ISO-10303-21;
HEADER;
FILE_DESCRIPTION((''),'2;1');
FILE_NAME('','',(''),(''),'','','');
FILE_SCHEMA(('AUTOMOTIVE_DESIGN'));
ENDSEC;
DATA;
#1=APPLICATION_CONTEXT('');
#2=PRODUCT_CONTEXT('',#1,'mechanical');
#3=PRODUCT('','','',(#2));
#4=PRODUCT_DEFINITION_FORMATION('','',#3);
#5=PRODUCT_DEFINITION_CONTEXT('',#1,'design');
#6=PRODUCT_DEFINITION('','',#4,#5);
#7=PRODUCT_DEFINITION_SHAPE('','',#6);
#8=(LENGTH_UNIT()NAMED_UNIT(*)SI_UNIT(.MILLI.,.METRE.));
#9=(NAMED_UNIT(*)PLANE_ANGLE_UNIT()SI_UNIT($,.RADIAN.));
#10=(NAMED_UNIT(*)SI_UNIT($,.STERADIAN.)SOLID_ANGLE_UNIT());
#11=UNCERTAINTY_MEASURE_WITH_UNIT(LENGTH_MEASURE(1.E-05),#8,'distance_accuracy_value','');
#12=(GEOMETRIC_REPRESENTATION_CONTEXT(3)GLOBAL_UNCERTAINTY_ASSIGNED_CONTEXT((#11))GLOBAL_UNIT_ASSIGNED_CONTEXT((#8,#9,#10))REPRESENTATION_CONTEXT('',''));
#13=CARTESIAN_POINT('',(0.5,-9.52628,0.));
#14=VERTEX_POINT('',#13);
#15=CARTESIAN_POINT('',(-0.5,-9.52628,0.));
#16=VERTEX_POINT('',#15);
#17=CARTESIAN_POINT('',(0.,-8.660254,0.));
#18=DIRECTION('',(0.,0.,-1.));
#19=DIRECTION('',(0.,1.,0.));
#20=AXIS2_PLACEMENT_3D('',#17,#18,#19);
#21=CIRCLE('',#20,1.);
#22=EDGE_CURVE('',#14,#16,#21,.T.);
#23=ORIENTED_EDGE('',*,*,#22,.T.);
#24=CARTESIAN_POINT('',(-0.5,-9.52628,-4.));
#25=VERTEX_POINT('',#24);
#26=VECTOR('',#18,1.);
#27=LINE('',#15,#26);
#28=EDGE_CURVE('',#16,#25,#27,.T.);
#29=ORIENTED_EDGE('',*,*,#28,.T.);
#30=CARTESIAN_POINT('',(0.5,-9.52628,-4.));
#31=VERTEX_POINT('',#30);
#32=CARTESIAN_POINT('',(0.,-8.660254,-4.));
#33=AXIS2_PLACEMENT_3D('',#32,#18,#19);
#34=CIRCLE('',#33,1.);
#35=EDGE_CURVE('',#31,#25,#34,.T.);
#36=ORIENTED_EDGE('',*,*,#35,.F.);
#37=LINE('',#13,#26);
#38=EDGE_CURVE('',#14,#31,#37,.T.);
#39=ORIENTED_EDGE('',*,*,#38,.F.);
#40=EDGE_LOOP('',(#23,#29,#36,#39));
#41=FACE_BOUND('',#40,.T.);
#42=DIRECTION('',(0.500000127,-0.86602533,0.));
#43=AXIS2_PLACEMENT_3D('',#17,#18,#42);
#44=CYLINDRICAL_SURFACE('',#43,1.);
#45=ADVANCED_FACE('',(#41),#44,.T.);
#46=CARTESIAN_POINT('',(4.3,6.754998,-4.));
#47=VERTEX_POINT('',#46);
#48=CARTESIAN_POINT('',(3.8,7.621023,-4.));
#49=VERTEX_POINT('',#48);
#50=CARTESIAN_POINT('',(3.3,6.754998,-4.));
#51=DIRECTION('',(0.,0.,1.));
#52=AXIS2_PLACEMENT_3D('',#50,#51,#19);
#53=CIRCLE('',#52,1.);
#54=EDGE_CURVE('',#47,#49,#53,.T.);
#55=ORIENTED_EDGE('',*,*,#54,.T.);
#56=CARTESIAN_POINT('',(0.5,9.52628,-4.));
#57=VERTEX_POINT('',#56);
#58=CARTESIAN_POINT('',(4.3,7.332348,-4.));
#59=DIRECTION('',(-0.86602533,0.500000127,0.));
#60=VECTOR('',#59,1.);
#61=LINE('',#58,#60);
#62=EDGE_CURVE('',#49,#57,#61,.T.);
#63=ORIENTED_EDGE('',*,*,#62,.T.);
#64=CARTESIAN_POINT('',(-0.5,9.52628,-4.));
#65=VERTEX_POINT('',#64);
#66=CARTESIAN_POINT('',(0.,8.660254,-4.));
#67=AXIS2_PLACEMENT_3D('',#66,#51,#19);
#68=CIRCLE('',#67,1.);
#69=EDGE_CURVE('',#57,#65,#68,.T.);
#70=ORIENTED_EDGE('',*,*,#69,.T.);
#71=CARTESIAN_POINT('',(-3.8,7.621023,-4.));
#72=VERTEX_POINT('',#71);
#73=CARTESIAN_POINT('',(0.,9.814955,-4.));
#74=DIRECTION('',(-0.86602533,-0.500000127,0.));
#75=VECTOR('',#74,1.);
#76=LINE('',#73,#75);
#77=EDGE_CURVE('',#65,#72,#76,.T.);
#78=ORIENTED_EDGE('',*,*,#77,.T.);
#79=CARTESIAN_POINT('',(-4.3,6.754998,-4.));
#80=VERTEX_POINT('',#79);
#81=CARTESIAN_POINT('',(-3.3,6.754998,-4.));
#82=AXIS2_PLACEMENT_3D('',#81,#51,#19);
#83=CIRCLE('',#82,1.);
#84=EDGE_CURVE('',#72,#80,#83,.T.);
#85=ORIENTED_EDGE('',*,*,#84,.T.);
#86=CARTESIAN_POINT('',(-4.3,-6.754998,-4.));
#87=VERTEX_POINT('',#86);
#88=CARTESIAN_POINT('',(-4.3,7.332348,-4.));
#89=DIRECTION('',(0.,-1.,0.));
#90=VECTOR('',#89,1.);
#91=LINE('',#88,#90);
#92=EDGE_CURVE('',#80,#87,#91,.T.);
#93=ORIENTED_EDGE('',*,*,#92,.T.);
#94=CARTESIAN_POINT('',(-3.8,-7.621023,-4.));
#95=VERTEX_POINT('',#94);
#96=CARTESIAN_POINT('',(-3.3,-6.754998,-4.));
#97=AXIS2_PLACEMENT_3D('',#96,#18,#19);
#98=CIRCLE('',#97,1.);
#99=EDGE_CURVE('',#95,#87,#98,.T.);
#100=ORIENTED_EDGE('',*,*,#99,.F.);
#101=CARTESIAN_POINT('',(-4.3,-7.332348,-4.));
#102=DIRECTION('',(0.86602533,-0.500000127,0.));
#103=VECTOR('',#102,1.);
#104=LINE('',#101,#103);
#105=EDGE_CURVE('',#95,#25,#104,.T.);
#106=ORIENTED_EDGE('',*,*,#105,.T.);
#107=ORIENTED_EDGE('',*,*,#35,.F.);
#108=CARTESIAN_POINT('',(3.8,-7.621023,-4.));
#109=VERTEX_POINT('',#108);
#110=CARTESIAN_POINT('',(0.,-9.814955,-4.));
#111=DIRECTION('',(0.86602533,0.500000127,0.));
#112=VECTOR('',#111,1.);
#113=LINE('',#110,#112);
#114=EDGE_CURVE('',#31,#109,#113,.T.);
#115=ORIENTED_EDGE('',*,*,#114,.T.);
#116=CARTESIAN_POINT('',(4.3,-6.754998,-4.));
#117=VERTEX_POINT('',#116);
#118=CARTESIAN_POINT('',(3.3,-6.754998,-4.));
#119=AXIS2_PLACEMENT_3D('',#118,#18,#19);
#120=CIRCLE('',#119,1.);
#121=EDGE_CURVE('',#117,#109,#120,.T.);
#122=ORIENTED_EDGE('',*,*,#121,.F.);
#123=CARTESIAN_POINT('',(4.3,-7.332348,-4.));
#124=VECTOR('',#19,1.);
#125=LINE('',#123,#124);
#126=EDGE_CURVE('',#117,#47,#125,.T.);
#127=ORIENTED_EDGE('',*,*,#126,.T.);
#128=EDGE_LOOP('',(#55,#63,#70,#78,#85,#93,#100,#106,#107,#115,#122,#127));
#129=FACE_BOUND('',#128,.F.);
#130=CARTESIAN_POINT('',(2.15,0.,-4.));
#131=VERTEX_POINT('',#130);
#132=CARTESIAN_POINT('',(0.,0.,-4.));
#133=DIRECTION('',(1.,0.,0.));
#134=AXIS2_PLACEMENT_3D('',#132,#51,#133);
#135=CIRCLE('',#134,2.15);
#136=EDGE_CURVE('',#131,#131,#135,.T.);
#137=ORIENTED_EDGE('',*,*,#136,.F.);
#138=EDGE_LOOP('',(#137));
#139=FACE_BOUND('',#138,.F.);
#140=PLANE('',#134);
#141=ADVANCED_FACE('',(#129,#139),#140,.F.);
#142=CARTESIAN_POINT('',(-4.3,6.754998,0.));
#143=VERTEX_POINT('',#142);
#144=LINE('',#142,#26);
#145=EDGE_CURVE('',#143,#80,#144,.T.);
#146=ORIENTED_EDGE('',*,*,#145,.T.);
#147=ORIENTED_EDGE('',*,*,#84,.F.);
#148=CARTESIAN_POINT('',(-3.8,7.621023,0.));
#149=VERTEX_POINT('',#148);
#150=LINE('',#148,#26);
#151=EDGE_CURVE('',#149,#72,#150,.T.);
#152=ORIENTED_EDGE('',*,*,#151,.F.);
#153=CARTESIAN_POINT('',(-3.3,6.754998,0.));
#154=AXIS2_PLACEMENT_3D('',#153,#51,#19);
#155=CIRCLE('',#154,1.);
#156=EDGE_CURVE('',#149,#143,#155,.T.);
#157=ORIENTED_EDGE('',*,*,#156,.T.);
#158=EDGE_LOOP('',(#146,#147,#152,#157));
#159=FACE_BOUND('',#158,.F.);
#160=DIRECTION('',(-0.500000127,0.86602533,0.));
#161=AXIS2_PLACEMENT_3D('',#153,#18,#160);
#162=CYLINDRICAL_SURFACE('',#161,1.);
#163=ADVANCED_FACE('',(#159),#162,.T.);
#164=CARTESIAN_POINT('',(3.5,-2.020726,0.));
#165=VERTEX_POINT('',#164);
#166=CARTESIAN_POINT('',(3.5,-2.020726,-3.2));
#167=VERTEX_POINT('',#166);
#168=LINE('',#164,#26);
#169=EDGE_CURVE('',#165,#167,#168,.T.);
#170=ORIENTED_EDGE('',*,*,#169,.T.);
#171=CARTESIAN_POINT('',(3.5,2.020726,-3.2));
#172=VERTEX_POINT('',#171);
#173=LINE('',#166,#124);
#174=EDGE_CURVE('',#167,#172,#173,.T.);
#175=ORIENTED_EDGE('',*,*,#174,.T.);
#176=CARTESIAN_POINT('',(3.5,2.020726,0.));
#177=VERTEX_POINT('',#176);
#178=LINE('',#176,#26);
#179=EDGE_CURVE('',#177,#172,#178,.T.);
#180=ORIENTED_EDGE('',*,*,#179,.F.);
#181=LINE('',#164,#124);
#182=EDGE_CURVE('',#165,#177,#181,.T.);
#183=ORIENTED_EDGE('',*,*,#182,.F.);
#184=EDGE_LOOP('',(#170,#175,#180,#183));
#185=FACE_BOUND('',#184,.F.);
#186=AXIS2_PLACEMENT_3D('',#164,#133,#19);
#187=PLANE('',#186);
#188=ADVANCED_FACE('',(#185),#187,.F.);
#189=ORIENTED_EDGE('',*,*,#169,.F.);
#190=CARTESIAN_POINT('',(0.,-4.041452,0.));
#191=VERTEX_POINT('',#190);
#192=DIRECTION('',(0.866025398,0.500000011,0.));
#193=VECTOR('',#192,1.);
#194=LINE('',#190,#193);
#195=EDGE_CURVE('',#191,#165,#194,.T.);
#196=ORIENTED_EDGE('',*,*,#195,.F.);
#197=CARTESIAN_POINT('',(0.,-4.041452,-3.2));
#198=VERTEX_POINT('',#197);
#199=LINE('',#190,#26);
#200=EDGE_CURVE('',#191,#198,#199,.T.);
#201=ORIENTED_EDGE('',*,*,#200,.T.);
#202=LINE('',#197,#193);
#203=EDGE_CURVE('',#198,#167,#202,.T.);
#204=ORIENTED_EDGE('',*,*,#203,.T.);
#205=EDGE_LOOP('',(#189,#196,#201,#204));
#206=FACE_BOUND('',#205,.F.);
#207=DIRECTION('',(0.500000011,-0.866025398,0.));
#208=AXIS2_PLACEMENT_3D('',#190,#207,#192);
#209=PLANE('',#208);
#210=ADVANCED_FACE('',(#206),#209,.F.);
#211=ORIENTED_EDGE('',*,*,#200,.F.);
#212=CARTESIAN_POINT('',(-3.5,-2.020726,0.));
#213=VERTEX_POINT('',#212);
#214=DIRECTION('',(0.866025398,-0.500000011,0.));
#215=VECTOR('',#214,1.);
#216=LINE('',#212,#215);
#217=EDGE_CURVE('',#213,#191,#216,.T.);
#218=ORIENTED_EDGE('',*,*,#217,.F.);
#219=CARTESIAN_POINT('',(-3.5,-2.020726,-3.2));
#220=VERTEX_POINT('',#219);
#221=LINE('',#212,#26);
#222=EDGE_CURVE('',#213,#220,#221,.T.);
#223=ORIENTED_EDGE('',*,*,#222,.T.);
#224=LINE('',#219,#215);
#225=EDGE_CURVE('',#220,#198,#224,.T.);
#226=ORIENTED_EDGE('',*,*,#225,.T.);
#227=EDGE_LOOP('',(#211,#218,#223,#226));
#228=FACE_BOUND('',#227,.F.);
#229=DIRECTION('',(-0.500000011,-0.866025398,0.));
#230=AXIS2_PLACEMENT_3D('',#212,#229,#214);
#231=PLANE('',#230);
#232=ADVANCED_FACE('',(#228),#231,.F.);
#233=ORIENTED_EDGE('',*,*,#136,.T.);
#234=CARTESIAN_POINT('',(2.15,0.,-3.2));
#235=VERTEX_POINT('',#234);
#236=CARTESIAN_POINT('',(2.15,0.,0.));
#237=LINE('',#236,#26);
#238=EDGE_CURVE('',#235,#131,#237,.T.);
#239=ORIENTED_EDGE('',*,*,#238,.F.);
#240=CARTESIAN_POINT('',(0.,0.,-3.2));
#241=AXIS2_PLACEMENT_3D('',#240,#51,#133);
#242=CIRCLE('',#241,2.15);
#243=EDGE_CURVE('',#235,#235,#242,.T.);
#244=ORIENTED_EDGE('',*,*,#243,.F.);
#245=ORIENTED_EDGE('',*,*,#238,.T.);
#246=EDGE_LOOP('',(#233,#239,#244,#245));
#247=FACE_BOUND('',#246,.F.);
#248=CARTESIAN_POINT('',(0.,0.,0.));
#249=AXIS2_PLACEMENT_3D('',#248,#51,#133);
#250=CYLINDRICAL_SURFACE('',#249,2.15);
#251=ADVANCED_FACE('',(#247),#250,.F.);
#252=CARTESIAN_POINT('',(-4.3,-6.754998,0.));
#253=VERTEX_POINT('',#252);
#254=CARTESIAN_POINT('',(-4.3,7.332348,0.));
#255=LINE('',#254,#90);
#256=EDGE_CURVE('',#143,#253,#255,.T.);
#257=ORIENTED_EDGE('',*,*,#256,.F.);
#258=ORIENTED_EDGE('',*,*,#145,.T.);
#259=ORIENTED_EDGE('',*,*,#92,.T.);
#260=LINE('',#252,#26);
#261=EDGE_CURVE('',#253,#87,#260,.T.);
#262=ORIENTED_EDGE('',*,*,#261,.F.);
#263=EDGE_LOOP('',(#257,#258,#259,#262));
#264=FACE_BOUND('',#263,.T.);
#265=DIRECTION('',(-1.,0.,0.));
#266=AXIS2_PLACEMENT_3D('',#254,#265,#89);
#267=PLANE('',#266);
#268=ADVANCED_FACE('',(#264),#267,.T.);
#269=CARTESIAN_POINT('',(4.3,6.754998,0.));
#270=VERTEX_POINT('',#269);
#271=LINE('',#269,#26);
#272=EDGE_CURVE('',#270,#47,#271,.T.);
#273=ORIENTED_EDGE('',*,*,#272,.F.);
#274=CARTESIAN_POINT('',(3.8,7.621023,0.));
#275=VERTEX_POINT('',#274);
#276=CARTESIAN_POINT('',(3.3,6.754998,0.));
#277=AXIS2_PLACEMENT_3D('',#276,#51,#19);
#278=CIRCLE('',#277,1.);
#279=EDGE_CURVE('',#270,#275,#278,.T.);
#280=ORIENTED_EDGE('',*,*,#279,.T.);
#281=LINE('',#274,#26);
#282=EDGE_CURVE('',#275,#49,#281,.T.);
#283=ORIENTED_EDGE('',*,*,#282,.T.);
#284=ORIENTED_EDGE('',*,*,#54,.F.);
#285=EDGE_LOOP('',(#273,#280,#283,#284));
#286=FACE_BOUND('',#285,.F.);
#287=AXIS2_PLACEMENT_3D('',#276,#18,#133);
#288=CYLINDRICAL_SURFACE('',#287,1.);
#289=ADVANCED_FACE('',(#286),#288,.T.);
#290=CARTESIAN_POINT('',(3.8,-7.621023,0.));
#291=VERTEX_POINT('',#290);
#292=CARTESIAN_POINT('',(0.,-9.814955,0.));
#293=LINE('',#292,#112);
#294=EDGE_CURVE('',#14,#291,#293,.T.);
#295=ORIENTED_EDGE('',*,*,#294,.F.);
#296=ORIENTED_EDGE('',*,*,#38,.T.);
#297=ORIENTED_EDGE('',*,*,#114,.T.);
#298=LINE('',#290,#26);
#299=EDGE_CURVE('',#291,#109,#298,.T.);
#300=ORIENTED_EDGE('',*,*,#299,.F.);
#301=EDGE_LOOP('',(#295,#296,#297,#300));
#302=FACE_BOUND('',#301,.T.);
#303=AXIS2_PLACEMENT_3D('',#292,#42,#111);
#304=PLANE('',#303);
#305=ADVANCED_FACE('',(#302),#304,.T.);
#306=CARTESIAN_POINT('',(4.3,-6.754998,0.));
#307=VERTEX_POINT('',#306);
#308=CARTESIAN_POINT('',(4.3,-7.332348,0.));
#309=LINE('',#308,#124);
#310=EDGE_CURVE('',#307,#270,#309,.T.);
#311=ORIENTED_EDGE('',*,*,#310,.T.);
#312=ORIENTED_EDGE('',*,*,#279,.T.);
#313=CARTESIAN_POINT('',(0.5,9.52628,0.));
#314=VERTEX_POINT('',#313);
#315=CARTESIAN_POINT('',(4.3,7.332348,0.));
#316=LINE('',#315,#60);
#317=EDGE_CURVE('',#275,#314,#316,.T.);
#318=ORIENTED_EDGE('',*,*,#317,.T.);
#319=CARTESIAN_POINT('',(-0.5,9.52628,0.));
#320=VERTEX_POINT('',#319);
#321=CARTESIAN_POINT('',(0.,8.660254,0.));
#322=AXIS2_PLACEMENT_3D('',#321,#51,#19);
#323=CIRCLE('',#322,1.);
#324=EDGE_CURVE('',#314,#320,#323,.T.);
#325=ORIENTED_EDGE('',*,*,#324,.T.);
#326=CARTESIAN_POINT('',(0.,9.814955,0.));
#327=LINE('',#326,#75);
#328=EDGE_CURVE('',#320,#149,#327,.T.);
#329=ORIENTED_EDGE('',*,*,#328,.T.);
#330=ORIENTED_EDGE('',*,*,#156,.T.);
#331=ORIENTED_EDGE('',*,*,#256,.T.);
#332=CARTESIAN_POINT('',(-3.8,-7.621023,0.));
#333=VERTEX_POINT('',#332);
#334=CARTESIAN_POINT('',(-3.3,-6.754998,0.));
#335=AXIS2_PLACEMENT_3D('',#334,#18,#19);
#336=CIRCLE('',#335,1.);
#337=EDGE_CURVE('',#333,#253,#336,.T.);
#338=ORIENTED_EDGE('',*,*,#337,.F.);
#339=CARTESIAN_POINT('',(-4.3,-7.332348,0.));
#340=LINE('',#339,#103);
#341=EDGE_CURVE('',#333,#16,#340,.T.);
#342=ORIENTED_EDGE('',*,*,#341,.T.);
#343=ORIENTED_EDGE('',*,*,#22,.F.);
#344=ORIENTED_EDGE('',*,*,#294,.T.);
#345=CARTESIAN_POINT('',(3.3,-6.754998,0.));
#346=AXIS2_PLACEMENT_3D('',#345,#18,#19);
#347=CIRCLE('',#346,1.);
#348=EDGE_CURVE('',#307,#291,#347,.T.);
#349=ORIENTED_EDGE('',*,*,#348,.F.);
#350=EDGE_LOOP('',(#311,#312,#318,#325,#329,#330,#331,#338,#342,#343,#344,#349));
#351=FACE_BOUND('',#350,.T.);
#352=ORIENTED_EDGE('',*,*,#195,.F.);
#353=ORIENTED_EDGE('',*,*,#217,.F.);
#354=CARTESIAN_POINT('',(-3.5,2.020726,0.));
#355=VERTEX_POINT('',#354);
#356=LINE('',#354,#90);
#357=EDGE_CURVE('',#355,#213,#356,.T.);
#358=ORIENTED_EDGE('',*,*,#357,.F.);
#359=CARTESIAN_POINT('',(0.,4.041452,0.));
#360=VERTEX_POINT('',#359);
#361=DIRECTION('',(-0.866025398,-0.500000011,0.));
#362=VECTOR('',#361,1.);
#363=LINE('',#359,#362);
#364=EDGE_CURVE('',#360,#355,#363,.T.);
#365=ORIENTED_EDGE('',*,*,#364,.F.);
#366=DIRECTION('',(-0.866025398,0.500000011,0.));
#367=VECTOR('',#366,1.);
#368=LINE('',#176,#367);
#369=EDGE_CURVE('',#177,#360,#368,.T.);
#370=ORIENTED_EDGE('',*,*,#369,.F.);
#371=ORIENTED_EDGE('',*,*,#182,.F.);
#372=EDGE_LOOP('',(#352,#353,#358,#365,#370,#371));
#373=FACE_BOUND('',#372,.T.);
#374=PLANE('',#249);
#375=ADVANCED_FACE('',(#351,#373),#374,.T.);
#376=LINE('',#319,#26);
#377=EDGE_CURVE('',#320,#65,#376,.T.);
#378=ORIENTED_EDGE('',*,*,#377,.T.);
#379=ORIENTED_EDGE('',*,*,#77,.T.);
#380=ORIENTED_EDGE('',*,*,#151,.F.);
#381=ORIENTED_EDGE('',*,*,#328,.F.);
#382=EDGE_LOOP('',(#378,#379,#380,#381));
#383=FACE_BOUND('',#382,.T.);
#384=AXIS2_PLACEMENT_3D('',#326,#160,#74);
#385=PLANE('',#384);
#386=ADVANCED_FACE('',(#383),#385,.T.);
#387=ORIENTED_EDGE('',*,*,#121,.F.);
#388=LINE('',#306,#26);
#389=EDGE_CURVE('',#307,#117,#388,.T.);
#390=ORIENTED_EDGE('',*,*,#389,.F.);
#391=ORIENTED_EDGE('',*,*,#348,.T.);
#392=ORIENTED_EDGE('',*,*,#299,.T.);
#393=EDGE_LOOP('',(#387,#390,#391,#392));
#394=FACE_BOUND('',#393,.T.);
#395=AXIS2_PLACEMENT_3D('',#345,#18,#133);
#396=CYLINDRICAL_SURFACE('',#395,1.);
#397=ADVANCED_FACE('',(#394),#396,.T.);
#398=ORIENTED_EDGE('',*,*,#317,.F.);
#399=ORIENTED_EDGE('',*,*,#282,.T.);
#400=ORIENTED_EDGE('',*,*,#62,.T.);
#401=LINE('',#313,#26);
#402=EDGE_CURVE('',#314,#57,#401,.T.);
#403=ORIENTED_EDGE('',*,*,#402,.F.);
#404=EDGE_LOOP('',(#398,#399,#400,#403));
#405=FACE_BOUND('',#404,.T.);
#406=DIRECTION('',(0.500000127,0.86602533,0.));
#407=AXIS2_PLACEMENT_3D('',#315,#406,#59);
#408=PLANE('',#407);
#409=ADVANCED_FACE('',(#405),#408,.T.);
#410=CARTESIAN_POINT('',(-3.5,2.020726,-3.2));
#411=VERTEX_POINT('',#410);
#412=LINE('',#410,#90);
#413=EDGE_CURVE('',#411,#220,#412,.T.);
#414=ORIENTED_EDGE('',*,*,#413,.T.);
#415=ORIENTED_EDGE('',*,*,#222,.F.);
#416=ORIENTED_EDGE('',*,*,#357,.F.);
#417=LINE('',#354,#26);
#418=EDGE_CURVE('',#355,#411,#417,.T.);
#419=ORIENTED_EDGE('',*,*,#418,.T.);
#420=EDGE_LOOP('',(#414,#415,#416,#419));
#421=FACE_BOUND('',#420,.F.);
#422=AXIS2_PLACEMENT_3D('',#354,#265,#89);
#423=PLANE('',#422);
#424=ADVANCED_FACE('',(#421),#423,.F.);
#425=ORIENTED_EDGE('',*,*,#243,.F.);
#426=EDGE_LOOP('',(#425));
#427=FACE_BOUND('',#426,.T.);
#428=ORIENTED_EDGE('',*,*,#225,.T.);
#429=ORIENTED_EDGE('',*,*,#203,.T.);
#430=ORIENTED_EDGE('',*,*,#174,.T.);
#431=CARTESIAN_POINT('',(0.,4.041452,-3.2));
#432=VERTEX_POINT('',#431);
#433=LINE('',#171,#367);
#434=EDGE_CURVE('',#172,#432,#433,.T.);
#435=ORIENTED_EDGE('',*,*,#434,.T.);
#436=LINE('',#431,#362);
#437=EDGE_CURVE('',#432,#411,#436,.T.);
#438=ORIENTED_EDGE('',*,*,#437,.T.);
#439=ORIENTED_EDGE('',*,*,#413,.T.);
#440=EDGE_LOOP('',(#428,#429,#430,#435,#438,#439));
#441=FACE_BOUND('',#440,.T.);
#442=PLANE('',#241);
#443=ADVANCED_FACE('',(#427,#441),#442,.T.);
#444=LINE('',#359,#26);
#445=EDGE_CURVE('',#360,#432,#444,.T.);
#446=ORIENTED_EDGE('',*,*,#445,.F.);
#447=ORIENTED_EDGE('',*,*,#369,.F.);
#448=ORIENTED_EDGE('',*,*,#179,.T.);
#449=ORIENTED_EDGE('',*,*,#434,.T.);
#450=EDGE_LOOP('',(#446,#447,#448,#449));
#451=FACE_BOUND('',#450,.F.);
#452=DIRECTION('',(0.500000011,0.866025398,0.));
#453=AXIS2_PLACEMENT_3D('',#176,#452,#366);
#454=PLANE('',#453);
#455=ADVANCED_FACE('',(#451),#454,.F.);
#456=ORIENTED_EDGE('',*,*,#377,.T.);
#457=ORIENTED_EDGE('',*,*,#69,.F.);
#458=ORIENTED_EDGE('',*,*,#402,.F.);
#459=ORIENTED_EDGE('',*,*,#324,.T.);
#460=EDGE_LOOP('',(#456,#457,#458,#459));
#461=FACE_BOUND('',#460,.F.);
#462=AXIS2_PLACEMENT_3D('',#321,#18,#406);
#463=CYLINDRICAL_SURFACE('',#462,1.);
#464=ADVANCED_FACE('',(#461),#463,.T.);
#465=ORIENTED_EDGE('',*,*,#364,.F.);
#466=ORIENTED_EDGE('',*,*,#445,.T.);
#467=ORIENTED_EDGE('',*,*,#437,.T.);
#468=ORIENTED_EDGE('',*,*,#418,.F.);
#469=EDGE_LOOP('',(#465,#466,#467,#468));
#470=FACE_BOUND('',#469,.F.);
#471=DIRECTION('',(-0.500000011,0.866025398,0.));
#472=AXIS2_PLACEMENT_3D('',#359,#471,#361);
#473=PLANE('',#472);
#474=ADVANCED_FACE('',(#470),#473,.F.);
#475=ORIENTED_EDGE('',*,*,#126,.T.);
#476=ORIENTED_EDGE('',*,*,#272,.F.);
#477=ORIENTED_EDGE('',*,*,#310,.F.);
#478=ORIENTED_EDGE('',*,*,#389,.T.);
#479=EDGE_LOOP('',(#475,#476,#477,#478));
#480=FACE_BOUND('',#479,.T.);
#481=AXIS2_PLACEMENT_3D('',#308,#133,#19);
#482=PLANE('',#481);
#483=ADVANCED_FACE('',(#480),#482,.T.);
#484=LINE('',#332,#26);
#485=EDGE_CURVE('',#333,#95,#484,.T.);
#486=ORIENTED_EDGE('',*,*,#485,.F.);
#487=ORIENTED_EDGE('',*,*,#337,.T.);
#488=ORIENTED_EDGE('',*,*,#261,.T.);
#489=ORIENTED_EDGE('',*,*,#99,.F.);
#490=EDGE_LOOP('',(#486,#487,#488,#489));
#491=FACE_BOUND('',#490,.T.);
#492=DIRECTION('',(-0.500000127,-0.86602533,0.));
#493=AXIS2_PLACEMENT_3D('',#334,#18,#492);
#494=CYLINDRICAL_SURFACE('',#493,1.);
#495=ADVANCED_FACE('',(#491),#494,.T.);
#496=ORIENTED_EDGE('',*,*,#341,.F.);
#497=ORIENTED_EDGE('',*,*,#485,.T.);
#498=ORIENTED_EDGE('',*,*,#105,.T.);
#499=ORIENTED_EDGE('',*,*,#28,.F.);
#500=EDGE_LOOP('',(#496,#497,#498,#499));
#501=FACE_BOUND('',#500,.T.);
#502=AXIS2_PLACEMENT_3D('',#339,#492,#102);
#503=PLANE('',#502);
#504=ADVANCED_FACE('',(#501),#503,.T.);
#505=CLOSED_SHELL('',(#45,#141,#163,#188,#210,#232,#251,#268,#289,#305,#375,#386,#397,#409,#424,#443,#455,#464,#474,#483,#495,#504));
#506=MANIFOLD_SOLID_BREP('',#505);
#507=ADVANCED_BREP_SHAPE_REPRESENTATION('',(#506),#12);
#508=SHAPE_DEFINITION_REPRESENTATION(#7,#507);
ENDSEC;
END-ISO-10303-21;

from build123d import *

# Parameters (mm, degrees)
F0_R     = 2.15
F1_DEPTH = 4
F2_DEPTH = 3.2
F3_R     = 1


with BuildPart() as f1:
    # F0 (on Top) → F1 (new body)
    with BuildSketch(Plane.XY):
        Polygon((4.3, -7.332348), (4.3, 7.332348), (0, 9.814955), (-4.3, 7.332348), (-4.3, -7.332348), (0, -9.814955), align=None)
        Polygon((0, 4.041452), (3.5, 2.020726), (3.5, -2.020726), (0, -4.041452), (-3.5, -2.020726), (-3.5, 2.020726), align=None, mode=Mode.SUBTRACT)
        Polygon((3.5, -2.020726), (3.5, 2.020726), (0, 4.041452), (-3.5, 2.020726), (-3.5, -2.020726), (0, -4.041452), align=None)
        Circle(F0_R, mode=Mode.SUBTRACT)
    extrude(amount=-F1_DEPTH)

    # F0 (on Top) → F2 (cut)
    with BuildSketch(Plane.XY):
        Polygon((3.5, -2.020726), (3.5, 2.020726), (0, 4.041452), (-3.5, 2.020726), (-3.5, -2.020726), (0, -4.041452), align=None)
        Circle(F0_R, mode=Mode.SUBTRACT)
    extrude(amount=-F2_DEPTH, mode=Mode.SUBTRACT)

    # F3
    f3_edges = [f1.edges().sort_by_distance(p)[0] for p in [
        (-4.3, 7.332348, -2),
        (0, 9.814955, -2),
        (4.3, 7.332348, -2),
        (4.3, -7.332348, -2),
        (0, -9.814955, -2),
        (-4.3, -7.332348, -2),
    ]]
    fillet(f3_edges, radius=F3_R)


solid = f1.part
